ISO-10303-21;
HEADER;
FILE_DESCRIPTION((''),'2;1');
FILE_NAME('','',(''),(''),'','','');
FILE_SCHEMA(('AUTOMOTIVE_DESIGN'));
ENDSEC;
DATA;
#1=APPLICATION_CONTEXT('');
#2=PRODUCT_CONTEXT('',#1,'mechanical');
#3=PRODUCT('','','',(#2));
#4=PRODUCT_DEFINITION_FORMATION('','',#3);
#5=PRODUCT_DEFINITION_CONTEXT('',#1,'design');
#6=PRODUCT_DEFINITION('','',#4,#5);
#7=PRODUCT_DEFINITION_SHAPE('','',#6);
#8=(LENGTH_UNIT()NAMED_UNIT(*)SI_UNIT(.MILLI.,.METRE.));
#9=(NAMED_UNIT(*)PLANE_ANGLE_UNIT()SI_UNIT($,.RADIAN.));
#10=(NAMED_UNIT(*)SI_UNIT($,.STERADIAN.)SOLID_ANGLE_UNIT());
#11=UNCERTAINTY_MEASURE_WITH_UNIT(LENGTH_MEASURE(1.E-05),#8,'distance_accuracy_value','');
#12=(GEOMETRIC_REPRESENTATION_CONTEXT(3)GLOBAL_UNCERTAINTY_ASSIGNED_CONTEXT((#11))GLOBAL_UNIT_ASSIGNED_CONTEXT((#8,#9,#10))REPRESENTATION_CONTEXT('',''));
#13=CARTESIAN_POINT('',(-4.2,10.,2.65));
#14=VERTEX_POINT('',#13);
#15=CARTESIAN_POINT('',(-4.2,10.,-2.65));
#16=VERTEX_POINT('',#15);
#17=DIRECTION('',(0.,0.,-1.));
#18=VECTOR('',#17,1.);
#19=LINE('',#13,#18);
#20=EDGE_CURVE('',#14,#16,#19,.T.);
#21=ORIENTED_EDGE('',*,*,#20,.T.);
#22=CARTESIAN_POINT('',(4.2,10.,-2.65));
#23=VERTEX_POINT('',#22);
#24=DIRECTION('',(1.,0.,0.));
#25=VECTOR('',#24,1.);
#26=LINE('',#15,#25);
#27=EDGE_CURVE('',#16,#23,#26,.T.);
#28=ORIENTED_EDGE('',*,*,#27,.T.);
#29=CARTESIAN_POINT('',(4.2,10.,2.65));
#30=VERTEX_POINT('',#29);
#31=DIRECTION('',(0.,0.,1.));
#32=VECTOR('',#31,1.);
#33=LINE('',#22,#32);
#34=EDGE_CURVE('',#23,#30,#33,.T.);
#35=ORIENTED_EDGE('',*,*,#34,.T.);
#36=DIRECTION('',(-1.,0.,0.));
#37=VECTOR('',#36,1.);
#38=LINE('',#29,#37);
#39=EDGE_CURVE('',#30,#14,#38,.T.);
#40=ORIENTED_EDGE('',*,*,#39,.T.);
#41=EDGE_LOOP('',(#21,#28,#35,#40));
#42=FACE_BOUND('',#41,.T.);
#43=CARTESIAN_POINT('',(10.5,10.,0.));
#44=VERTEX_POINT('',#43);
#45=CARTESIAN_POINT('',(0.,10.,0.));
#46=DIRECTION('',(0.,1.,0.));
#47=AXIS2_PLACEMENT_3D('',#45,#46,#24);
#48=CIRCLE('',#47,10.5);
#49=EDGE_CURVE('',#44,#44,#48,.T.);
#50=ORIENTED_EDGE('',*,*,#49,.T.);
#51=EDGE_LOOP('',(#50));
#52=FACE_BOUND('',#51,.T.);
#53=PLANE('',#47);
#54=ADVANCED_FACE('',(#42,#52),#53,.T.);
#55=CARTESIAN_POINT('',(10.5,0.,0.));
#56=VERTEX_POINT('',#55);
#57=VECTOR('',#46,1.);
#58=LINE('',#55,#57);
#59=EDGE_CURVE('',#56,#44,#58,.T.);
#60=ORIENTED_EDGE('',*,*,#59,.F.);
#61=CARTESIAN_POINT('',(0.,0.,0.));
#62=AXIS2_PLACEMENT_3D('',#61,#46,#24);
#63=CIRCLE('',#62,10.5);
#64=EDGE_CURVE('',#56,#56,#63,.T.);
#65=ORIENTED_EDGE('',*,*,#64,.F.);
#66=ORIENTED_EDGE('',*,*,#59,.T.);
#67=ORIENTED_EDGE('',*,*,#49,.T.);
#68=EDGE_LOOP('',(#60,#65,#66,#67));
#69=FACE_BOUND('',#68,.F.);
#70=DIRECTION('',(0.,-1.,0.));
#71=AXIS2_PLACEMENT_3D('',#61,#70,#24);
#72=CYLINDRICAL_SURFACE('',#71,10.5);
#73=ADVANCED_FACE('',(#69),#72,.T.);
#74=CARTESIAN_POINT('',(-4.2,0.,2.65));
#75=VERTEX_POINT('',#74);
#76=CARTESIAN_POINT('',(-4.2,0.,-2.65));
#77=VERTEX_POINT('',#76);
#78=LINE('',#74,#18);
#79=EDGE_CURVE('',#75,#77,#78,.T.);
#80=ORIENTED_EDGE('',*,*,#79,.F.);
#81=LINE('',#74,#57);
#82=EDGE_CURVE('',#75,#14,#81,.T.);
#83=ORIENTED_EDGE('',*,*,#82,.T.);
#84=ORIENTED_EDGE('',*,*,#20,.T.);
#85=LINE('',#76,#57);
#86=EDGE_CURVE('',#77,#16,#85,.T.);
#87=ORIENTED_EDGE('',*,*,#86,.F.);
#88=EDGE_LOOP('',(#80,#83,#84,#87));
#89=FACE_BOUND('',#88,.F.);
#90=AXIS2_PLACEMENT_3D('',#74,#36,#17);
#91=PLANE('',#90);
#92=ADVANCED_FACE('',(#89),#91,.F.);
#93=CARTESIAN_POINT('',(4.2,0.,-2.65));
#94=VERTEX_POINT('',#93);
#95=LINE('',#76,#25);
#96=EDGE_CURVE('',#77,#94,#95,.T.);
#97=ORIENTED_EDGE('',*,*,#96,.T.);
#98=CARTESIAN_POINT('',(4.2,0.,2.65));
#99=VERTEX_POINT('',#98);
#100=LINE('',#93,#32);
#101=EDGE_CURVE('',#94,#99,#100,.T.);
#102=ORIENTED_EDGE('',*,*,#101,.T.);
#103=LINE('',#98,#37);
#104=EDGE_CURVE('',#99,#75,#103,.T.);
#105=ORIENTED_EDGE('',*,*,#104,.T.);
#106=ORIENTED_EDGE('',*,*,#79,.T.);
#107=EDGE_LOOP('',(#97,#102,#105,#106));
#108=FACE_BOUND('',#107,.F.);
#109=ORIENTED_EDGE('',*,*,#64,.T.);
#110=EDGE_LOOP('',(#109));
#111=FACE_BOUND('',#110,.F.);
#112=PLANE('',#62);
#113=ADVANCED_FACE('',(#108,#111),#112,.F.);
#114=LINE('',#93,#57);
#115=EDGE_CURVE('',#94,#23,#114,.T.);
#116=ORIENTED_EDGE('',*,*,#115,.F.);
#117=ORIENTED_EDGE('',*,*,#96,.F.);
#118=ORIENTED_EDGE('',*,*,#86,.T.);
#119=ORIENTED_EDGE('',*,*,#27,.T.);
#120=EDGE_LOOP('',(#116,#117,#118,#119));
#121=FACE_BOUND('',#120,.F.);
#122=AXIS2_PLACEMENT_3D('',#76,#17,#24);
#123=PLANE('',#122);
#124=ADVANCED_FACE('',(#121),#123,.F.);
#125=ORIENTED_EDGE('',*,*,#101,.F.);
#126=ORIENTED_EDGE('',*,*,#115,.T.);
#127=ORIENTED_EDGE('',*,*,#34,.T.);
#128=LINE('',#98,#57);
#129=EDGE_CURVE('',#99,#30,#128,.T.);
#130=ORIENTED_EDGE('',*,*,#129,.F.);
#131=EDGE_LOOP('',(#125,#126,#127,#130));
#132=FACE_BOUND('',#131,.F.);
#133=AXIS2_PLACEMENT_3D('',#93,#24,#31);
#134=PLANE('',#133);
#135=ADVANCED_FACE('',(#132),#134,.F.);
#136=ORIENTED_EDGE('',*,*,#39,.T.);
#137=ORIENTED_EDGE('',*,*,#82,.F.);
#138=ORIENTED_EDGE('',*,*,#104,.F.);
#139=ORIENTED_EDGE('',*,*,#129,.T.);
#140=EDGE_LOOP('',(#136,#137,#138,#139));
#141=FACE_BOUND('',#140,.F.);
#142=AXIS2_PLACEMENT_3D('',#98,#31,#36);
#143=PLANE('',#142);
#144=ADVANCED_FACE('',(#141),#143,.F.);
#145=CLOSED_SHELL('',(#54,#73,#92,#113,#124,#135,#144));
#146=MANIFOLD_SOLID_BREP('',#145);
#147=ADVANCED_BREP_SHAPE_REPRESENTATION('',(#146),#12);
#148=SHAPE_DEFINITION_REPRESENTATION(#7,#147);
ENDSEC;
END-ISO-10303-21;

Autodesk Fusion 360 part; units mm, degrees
sketch "Sketch1" plane through (0, 0, 0) normal (0, 1, 0) x (1, 0, 0)
  circle A0 centre (0, 0) radius 10.5
  line L0 (4.2, -2.65) -> (-4.2, -2.65)
  line L1 (-4.2, -2.65) -> (-4.2, 2.65)
  line L2 (-4.2, 2.65) -> (4.2, 2.65)
  line L3 (4.2, 2.65) -> (4.2, -2.65)
  line L4 (4.2, -2.65) -> (-4.2, 2.65) construction
  line L5 (-4.2, -2.65) -> (4.2, 2.65) construction
  dimension "d1" = 21
  dimension "d2" = 8.4
  dimension "d3" = 5.3
extrude "Extrude1" add sketch "Sketch1" along normal blind 10
